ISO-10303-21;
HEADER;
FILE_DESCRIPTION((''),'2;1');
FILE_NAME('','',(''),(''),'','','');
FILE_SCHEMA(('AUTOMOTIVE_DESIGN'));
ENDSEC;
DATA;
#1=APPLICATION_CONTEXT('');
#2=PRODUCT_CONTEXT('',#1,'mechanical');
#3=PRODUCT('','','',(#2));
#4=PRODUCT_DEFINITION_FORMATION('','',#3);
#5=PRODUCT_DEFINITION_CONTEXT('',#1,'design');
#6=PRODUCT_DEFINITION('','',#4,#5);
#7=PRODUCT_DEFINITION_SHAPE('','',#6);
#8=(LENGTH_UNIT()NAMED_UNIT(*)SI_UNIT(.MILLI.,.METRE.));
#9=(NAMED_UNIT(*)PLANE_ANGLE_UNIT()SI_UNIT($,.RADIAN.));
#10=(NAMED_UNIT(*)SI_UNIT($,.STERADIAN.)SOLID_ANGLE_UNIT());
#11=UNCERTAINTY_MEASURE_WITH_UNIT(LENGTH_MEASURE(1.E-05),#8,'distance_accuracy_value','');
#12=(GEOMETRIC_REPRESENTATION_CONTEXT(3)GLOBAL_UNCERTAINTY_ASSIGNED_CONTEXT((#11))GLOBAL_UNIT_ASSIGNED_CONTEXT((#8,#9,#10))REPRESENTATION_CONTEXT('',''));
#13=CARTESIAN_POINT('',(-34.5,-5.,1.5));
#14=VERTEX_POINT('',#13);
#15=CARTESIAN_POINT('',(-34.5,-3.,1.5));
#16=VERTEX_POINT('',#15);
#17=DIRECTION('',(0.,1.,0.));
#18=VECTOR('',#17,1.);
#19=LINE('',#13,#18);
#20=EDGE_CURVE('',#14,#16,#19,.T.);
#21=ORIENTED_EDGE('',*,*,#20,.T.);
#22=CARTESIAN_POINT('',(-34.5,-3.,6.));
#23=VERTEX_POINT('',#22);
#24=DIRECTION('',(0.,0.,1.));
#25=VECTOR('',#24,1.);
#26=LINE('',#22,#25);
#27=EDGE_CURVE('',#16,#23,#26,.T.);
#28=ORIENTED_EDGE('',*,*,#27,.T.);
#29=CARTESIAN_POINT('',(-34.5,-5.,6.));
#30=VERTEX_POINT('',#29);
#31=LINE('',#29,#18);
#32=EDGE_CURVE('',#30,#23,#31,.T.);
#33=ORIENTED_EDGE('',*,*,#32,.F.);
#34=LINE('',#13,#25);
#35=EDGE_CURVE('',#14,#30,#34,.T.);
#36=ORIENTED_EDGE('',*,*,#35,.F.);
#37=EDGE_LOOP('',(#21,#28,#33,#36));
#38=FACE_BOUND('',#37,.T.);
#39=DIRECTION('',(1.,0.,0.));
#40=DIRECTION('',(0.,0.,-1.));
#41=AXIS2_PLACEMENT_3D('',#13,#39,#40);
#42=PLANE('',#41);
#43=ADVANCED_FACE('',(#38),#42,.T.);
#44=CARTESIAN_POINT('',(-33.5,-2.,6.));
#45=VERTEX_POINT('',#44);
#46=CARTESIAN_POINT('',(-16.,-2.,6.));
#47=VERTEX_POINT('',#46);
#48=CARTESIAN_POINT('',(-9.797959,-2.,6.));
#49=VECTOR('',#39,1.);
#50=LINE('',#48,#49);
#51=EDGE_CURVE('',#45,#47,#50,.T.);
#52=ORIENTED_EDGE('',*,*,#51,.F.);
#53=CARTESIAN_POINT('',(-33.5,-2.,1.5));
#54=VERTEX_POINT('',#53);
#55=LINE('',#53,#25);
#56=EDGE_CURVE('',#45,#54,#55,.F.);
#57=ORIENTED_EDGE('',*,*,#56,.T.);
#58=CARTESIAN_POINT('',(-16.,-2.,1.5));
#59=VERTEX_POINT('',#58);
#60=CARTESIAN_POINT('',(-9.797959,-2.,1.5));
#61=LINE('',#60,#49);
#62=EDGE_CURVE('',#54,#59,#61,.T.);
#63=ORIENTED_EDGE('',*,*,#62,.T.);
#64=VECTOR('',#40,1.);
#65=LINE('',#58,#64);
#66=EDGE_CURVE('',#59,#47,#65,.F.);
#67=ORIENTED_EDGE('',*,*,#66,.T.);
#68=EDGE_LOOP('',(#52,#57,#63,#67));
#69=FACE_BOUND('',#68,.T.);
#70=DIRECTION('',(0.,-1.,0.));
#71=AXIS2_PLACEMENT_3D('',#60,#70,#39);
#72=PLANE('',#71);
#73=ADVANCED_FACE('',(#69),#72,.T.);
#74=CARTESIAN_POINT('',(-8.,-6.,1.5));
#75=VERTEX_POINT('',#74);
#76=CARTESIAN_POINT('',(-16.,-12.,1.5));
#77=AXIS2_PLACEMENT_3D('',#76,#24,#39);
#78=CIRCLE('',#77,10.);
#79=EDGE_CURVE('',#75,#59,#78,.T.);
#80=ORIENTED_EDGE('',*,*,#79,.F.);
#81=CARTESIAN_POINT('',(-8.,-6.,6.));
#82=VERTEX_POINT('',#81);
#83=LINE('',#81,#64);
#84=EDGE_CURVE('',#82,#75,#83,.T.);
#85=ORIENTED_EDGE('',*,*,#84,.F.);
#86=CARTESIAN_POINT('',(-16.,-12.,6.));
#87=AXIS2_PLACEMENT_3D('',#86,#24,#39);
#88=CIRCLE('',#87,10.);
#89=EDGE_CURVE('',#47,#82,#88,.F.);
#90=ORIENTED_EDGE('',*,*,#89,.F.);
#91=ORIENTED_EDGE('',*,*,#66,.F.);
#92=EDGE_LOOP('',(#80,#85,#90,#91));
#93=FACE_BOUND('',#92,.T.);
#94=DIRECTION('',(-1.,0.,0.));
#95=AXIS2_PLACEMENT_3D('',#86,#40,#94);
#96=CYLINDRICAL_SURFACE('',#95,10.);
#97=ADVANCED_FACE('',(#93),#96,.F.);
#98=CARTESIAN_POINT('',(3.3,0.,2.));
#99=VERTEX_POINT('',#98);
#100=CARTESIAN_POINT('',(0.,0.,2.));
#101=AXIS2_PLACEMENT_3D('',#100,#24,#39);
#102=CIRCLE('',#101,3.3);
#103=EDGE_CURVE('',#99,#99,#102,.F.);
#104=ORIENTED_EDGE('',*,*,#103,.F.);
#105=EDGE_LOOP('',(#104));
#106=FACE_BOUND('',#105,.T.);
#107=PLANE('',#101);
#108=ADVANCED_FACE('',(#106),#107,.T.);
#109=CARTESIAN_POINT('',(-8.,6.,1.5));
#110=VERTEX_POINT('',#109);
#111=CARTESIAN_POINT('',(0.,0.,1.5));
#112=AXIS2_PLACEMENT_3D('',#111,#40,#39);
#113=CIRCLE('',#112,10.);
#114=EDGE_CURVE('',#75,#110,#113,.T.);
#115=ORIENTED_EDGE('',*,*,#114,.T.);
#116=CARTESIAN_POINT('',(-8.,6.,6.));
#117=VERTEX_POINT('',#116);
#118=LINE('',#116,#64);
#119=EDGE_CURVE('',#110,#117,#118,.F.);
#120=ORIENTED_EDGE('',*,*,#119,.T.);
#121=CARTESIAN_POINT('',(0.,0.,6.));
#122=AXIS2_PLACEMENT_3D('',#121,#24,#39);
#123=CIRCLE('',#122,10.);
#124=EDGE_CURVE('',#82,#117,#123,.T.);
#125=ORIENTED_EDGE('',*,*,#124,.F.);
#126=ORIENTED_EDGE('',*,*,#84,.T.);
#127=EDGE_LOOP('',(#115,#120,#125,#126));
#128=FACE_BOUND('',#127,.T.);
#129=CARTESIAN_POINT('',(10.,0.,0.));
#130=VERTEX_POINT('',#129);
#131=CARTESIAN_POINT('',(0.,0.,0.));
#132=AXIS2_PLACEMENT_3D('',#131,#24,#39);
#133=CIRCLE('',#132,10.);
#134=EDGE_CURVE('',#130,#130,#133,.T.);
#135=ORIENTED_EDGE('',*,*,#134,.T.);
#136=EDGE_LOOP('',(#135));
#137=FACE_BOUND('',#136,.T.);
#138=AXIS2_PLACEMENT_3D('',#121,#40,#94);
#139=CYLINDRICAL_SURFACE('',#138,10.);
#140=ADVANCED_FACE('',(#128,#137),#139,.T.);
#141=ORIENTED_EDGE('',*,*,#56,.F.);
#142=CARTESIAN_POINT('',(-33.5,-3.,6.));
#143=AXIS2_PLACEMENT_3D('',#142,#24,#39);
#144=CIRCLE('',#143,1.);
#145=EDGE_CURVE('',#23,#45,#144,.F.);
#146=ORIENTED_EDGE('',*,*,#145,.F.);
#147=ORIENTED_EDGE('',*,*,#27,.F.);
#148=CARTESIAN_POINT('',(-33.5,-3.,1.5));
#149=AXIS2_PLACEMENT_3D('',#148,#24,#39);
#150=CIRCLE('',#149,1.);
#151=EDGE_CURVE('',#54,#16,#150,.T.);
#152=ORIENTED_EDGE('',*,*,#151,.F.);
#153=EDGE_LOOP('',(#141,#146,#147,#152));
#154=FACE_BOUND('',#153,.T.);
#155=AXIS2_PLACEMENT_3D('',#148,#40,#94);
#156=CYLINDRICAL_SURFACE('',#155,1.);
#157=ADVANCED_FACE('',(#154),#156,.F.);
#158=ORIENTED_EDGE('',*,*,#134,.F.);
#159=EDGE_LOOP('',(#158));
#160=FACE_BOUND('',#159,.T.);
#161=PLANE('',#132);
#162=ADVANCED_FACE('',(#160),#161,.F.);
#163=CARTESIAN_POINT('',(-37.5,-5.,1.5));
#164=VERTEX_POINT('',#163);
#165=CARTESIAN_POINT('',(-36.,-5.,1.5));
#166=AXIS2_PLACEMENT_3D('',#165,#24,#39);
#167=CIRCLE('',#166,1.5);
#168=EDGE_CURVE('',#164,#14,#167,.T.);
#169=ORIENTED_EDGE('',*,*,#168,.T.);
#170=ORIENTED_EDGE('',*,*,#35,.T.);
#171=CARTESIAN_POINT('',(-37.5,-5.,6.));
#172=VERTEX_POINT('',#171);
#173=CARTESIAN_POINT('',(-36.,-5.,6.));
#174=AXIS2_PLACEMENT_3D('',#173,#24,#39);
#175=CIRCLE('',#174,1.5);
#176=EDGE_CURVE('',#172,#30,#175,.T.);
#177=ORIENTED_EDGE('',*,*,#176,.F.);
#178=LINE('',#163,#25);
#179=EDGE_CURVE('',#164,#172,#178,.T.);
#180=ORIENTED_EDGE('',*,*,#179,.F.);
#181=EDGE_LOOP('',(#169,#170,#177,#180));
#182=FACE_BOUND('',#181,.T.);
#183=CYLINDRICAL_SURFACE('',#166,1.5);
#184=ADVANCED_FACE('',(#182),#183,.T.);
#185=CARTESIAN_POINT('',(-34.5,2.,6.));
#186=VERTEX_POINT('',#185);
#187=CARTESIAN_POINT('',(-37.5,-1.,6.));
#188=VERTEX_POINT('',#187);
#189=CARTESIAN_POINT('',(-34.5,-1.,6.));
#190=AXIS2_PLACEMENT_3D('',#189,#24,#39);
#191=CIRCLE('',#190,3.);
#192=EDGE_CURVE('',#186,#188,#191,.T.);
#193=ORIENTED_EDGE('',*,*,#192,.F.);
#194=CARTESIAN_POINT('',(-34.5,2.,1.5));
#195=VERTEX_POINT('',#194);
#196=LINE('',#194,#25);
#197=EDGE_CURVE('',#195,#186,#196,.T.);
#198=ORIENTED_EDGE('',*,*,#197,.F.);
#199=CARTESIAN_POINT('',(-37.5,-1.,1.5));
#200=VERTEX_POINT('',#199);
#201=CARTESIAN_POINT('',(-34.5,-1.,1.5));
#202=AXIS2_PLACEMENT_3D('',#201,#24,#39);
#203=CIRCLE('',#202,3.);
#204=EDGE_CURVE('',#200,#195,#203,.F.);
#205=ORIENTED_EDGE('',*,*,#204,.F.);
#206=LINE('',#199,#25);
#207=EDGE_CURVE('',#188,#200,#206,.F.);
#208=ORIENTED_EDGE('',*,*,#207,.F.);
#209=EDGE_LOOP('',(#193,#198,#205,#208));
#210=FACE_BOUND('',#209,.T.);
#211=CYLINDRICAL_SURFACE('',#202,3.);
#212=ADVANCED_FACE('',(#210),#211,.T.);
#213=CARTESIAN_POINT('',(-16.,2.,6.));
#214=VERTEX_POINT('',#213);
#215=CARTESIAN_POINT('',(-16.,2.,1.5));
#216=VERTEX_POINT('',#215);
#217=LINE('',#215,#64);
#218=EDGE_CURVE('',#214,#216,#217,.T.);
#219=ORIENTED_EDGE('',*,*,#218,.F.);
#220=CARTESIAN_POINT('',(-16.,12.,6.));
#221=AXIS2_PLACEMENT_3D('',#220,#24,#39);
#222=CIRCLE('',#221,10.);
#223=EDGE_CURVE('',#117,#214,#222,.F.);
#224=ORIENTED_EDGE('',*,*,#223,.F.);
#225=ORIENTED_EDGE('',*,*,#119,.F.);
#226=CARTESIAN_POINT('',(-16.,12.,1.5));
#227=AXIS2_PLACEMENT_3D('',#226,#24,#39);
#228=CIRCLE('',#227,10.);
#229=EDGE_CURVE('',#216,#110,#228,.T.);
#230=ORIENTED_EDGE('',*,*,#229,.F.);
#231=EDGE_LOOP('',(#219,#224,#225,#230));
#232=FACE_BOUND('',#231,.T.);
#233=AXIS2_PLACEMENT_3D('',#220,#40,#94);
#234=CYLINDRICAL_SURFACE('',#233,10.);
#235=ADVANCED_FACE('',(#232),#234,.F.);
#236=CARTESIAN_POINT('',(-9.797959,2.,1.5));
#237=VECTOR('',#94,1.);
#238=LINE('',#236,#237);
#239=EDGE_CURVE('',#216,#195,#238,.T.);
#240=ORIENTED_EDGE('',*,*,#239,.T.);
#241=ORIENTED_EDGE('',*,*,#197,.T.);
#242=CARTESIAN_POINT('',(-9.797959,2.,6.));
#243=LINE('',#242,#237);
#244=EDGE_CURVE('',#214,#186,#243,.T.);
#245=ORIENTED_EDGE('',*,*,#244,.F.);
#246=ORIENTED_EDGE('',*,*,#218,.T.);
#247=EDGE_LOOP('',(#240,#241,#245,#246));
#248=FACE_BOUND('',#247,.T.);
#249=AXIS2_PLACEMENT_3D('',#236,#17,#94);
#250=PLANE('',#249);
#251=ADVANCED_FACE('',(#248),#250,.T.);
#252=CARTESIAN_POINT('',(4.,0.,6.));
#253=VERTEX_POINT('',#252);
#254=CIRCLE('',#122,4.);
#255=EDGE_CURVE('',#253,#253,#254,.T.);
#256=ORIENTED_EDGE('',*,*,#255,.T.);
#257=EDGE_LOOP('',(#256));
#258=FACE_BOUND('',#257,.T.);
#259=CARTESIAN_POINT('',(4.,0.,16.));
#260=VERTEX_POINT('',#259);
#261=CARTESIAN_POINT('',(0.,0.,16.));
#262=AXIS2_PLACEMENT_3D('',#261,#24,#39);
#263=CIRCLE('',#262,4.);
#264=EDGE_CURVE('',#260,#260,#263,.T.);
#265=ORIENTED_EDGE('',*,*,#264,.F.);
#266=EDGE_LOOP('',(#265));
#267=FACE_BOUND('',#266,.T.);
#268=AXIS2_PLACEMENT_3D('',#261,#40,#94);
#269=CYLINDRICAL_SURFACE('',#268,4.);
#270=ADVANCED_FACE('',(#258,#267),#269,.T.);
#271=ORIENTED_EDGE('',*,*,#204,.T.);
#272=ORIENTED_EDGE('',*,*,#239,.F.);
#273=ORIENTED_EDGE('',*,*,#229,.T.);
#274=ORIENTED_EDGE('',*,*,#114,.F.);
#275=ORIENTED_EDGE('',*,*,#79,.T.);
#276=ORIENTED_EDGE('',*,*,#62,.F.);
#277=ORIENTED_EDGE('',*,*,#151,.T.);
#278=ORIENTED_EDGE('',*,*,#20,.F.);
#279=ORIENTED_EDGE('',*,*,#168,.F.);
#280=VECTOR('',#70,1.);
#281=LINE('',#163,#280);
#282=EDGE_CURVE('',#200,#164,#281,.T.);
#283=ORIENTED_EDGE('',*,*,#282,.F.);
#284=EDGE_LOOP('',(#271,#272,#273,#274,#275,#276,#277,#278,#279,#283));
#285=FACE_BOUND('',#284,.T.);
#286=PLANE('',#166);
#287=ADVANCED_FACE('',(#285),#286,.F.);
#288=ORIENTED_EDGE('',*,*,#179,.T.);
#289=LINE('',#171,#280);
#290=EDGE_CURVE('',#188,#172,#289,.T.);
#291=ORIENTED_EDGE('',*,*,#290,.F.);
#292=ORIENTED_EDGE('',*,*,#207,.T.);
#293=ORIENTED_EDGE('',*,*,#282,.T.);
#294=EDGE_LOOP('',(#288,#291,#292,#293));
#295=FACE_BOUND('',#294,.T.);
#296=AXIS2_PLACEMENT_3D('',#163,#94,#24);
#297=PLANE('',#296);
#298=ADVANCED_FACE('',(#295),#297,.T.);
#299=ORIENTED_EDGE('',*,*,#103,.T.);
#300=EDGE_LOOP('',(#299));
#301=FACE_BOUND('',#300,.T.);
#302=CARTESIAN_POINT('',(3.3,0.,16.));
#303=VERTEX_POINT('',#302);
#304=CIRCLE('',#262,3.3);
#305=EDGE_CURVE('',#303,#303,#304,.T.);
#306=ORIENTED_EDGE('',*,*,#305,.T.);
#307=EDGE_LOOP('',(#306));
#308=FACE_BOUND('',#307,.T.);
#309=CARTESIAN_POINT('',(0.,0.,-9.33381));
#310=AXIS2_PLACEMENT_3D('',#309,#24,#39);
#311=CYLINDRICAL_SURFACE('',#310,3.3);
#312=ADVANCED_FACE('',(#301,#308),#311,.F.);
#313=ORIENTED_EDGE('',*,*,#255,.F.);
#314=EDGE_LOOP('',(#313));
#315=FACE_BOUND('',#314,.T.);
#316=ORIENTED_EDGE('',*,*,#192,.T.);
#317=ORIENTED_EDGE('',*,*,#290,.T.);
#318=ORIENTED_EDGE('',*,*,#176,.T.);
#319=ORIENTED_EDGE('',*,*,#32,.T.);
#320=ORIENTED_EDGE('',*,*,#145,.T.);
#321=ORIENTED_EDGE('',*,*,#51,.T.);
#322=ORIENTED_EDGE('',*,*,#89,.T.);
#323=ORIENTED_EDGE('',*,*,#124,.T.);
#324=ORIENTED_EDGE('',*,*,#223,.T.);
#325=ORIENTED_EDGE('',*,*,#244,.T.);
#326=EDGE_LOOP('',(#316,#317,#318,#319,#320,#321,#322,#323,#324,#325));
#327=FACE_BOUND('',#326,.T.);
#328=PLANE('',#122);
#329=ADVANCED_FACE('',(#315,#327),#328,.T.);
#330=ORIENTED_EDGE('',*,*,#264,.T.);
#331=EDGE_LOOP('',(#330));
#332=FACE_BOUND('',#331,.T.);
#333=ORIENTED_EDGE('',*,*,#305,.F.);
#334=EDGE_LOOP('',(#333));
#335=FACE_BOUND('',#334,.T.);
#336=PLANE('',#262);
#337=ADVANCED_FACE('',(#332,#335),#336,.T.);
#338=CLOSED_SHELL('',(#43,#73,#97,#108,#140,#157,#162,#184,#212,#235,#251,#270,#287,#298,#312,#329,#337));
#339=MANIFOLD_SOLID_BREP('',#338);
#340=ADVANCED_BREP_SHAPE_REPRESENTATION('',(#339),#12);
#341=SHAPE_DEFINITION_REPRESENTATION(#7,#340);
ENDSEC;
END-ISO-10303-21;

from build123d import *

# Parameters (mm, degrees)
ESBO_O1_R                = 10
RESSALTO_EXTRUS_O1_DEPTH = 6
RESSALTO_EXTRUS_O2_START = -4.5
RESSALTO_EXTRUS_O2_DEPTH = 4.5
FILETE1_R                = 3
FILETE2_R                = 1
FILETE3_R                = 10
ESBO_O3_R                = 4
RESSALTO_EXTRUS_O3_DEPTH = 10
ESBO_O4_R                = 3.3
CORTE_EXTRUS_O1_DEPTH    = 14


with BuildPart() as part:
    # Esboço1 → Ressalto-extrusão1 (new body)
    with BuildSketch(Plane.XY):
        Circle(ESBO_O1_R)
    extrude(amount=RESSALTO_EXTRUS_O1_DEPTH)

    # Esboço2 → Ressalto-extrusão2 (add)
    with BuildSketch(Plane.XY.offset(6).offset(RESSALTO_EXTRUS_O2_START)):
        with BuildLine():
            Line((-9.797958971, 2), (-37.5, 2))
            Line((-37.5, 2), (-37.5, -5))
            ThreePointArc((-37.5, -5), (-36, -6.5), (-34.5, -5))
            Line((-34.5, -5), (-34.5, -2))
            Line((-34.5, -2), (-9.797958971, -2))
            ThreePointArc((-9.797958971, -2), (-10, 0), (-9.797958971, 2))
        make_face()
    extrude(amount=RESSALTO_EXTRUS_O2_DEPTH)

    # Filete1
    filete1_edges = [part.edges().sort_by_distance(p)[0] for p in [
        (-37.5, 2, 3.75),
    ]]
    fillet(filete1_edges, radius=FILETE1_R)

    # Filete2
    filete2_edges = [part.edges().sort_by_distance(p)[0] for p in [
        (-34.5, -2, 3.75),
    ]]
    fillet(filete2_edges, radius=FILETE2_R)

    # Filete3
    filete3_edges = [part.edges().sort_by_distance(p)[0] for p in [
        (-9.797958971, 2, 3.75),
        (-9.797958971, -2, 3.75),
    ]]
    fillet(filete3_edges, radius=FILETE3_R)

    # Esboço3 → Ressalto-extrusão3 (add)
    with BuildSketch(Plane.XY.offset(6)):
        Circle(ESBO_O3_R)
    extrude(amount=RESSALTO_EXTRUS_O3_DEPTH)

    # Esboço4 → Corte-extrusão1 (cut)
    with BuildSketch(Plane.XY.offset(16)):
        Circle(ESBO_O4_R)
    extrude(amount=-CORTE_EXTRUS_O1_DEPTH, mode=Mode.SUBTRACT)


solid = part.part
